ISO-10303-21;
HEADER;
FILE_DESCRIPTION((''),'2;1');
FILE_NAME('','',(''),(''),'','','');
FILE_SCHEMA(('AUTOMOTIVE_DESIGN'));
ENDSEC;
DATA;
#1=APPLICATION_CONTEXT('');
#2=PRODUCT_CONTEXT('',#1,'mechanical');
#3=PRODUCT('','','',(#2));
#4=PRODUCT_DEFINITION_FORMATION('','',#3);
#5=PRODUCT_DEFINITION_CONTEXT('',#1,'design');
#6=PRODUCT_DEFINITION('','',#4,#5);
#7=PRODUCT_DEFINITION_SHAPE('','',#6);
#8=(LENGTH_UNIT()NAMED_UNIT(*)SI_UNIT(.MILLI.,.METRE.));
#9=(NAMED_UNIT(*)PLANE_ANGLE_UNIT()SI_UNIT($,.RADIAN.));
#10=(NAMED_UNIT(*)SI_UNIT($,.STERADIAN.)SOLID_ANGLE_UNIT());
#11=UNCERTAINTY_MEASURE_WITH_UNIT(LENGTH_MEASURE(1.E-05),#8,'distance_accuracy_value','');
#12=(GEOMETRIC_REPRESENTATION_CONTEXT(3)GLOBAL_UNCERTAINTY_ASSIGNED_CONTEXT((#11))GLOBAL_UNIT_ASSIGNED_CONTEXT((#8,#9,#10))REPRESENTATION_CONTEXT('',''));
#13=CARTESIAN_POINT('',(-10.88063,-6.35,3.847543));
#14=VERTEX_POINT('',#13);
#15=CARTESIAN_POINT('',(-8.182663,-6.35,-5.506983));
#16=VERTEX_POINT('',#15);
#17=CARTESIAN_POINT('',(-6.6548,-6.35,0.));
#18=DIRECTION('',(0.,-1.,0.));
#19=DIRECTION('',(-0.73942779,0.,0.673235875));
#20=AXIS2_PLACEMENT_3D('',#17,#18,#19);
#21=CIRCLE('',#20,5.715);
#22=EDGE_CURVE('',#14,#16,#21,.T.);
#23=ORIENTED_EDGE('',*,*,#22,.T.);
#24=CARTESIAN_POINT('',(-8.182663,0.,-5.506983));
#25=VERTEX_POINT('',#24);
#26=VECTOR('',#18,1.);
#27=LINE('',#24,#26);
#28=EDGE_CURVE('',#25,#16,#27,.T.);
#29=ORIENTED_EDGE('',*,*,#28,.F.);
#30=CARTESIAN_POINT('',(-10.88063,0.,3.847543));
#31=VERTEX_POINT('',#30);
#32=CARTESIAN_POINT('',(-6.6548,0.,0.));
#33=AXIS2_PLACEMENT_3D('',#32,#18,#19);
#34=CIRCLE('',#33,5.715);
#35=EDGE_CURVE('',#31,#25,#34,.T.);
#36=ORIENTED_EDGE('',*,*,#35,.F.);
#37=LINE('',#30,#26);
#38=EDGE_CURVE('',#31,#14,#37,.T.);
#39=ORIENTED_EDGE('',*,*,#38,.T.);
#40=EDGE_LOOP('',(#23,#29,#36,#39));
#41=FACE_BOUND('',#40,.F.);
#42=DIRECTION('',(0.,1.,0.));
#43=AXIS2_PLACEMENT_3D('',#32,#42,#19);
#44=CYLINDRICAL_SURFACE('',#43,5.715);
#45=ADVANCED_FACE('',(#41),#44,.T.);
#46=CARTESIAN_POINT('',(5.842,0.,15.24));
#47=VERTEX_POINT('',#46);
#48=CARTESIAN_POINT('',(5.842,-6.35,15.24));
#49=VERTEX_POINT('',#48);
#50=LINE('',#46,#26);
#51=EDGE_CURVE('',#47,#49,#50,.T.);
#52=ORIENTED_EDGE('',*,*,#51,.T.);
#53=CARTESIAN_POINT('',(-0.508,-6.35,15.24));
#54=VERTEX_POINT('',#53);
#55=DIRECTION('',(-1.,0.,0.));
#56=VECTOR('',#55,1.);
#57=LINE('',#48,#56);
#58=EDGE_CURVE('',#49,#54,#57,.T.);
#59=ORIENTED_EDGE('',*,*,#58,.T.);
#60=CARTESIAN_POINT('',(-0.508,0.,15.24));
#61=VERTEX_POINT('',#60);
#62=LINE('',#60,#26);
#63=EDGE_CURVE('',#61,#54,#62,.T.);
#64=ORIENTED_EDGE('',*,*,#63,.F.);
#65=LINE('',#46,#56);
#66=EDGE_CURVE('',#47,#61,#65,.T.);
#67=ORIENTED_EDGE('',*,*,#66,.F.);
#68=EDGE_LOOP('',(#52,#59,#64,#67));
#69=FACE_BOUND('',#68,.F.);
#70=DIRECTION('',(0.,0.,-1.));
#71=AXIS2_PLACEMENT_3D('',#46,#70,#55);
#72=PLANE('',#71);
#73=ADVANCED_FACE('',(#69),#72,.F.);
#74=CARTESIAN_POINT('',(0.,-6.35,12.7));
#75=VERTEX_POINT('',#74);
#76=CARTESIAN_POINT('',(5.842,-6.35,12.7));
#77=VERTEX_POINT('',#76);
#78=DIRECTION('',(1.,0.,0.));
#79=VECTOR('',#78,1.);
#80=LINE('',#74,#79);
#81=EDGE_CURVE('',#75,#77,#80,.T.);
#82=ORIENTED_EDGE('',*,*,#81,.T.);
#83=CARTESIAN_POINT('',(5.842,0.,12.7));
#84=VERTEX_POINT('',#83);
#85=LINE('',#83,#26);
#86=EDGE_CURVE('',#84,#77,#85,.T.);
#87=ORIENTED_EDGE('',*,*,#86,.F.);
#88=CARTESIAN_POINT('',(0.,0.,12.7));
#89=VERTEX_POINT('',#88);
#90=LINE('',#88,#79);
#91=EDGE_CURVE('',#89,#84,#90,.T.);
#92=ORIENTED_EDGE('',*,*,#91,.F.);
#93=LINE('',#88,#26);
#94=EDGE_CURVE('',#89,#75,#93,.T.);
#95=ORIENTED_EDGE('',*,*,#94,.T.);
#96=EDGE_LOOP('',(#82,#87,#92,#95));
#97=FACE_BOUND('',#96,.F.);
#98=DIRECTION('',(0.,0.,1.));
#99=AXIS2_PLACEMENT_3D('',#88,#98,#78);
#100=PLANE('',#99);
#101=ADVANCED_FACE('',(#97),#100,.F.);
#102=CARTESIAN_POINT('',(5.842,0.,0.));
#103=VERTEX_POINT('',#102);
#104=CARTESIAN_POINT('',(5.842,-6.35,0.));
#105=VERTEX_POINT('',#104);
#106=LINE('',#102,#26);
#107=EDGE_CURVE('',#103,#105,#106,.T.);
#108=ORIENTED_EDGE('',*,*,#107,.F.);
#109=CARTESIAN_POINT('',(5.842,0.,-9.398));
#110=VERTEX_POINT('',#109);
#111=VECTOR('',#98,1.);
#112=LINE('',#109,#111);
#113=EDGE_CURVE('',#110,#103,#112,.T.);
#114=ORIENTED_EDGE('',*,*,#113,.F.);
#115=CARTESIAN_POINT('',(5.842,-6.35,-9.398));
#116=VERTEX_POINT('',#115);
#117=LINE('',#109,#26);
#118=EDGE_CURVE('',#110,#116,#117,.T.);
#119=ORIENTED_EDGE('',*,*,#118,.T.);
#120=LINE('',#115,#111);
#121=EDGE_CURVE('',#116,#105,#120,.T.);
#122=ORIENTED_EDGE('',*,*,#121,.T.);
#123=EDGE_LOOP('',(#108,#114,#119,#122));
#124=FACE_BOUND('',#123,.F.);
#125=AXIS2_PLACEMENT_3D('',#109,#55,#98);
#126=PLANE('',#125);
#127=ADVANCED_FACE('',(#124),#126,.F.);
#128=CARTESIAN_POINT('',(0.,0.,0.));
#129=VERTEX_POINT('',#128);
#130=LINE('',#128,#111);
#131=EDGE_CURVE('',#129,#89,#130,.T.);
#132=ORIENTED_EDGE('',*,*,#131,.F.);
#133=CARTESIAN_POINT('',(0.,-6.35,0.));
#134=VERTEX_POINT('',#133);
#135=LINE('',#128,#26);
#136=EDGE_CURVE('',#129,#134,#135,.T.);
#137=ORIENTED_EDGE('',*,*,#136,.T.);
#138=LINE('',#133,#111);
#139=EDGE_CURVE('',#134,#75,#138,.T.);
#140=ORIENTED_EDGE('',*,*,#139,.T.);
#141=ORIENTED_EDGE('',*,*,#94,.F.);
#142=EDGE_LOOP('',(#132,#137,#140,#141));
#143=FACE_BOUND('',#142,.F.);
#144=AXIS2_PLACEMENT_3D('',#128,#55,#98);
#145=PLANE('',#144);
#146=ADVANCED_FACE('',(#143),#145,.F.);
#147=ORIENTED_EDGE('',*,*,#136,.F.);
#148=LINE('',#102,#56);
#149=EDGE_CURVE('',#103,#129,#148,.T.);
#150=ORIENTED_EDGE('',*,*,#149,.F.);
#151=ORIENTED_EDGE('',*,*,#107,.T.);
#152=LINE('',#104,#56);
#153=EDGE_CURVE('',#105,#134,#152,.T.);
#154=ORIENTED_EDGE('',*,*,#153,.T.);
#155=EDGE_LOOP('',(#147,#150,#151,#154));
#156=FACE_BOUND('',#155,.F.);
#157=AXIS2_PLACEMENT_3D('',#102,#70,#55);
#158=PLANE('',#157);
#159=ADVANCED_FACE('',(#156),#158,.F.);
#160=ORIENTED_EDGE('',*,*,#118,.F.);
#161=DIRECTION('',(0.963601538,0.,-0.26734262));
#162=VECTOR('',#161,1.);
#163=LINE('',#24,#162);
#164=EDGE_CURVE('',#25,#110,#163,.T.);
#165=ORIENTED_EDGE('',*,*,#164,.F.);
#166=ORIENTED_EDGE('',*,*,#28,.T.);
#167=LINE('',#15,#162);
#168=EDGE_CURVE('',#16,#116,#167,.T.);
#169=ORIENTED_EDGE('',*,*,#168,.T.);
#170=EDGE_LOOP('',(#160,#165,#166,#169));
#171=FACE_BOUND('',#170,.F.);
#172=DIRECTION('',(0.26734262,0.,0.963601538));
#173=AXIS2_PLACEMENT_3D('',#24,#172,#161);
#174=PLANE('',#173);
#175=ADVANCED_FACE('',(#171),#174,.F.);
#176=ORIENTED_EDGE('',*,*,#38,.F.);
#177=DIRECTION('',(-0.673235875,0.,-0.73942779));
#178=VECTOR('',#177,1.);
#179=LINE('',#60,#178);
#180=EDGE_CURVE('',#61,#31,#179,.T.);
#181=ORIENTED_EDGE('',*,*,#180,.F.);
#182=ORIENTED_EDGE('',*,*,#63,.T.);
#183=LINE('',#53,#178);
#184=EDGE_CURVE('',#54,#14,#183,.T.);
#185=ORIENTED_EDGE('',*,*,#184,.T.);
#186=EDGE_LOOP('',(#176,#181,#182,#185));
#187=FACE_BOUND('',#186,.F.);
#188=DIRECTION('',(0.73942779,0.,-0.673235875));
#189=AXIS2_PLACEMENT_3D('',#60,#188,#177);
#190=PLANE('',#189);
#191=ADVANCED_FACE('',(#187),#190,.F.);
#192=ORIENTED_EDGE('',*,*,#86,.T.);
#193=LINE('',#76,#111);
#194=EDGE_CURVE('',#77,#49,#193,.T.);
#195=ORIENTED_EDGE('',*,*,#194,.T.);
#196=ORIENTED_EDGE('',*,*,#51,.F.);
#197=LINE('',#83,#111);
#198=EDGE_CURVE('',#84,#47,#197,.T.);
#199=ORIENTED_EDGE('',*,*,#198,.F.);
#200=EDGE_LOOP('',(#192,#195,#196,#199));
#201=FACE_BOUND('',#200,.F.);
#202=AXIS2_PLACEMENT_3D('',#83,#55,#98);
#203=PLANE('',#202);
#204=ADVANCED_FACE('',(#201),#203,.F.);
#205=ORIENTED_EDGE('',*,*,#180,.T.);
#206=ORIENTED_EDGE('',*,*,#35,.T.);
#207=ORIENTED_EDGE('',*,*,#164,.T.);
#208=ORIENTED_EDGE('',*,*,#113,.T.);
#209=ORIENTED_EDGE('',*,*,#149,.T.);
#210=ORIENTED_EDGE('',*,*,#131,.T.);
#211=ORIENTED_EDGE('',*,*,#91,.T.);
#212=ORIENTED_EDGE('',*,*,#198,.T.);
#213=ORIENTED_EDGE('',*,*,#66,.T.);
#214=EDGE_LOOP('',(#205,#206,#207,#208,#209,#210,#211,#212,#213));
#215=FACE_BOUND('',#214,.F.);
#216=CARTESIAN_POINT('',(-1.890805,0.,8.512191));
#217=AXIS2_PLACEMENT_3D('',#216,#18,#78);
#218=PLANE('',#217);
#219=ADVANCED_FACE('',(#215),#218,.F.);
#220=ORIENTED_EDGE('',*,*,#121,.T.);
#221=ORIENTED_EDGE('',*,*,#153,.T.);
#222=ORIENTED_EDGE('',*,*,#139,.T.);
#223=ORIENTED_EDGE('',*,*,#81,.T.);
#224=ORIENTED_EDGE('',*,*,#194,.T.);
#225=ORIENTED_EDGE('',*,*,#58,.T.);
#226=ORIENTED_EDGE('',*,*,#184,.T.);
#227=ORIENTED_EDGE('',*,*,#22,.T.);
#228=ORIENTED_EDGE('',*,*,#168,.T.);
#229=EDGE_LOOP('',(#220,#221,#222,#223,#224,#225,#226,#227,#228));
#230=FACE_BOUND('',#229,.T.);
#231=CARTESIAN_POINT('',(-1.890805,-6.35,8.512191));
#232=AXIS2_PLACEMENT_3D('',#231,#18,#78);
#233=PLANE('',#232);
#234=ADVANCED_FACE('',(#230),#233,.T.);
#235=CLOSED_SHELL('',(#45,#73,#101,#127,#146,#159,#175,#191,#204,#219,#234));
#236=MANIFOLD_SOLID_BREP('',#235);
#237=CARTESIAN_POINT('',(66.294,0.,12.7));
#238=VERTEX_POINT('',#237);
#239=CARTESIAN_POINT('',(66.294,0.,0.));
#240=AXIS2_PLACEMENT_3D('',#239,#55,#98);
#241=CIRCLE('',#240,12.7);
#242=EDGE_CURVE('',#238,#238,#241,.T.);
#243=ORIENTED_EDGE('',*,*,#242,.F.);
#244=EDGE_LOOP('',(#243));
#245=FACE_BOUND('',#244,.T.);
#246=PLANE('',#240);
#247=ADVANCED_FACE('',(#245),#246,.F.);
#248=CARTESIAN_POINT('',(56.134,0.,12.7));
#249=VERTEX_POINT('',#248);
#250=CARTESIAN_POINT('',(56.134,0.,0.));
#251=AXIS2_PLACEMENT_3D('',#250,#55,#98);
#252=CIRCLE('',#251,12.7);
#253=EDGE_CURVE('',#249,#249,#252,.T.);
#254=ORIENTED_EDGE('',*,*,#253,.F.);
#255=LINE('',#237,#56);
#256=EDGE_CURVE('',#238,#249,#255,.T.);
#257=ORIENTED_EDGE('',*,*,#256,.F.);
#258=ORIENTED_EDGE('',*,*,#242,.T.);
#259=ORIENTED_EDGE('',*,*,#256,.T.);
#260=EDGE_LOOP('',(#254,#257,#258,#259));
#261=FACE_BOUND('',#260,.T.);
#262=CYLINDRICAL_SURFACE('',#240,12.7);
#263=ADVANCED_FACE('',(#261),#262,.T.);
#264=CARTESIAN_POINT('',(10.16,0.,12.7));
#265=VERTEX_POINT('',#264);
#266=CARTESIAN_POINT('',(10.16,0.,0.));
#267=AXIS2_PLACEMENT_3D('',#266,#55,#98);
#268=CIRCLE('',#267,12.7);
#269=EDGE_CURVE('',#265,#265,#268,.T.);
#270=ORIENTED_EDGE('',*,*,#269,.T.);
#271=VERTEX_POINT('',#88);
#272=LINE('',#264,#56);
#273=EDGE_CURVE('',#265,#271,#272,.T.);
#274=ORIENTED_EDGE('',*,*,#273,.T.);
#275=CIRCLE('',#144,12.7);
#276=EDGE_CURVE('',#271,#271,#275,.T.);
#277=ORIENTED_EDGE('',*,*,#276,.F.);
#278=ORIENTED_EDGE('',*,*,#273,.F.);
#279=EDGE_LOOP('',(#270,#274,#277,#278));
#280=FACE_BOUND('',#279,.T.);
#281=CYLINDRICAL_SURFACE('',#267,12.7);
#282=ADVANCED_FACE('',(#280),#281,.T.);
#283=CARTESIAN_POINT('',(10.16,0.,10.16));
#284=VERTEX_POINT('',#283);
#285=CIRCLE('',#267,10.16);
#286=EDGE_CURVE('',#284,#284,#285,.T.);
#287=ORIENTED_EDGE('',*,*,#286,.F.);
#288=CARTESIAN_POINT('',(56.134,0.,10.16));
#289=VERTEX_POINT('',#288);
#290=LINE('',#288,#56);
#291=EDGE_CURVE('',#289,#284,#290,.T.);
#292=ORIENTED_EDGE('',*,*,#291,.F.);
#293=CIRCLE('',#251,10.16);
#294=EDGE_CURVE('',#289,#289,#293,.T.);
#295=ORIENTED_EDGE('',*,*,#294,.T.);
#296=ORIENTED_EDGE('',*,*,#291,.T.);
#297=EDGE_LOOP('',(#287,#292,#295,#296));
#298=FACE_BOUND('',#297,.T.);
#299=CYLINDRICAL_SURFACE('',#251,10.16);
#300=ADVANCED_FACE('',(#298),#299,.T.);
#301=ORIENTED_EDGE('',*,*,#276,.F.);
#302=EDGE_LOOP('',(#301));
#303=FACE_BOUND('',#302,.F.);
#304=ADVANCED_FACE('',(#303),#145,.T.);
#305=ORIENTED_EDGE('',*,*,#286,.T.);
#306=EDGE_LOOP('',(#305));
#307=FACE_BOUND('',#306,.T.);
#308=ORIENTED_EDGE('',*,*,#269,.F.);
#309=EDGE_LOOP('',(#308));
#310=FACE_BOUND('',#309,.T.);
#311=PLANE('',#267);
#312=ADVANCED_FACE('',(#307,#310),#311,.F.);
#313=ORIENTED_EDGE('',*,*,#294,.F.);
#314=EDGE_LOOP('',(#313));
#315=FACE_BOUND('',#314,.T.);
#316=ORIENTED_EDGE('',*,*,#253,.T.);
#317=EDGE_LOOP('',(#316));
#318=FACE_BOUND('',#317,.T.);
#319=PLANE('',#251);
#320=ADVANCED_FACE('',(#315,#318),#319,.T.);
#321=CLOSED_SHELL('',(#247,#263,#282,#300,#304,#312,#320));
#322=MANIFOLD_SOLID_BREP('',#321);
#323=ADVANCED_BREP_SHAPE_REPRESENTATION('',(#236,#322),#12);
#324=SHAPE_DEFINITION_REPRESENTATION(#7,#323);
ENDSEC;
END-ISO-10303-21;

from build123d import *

# Parameters (mm, degrees)
F0_W     = 5.842
F0_H     = 12.7
F0_R     = 3.175
F2_DEPTH = 6.35
F3_DEPTH = 12.701


with BuildPart() as f1:
    # F0 (on Front) → F1 (revolve)
    with BuildSketch(Plane.XZ):
        Polygon((5.842, 12.7), (5.842, 0), (66.294, 0), (66.294, 12.7), (56.134, 12.7), (56.134, 10.16), (10.16, 10.16), (10.16, 12.7), align=None)
        with Locations((2.921, 6.35)):
            Rectangle(F0_W, F0_H)
    revolve(axis=Axis((33.147, 0, 0), (-1, 0, 0)))

    # F0 (on Front) → F3 (cut, through all)
    with BuildSketch(Plane.XZ):
        with Locations((-6.6548, 0)):
            Circle(F0_R)
    extrude(amount=-F3_DEPTH, mode=Mode.SUBTRACT)


with BuildPart() as f2:
    # F0 (on Front) → F2 (new body)
    with BuildSketch(Plane.XZ):
        with BuildLine():
            Line((-0.9398, 0), (0, 0))
            Line((0, 0), (0, 12.7))
            Line((0, 12.7), (5.842, 12.7))
            Line((5.842, 12.7), (5.842, 15.24))
            Line((5.842, 15.24), (-0.508, 15.24))
            Line((-0.508, 15.24), (-10.8806298187, 3.8475430269))
            ThreePointArc((-10.8806298187, 3.8475430269), (-4.5919612295, 5.3297205562), (-0.9398, 0))
        make_face()
        with BuildLine():
            ThreePointArc((-8.1826630726, -5.5069827884), (-3.1957909266, -4.5493385486), (-0.9398, 0))
            ThreePointArc((-0.9398, 0), (-4.5919612295, 5.3297205562), (-10.8806298187, 3.8475430269))
            ThreePointArc((-10.8806298187, 3.8475430269), (-12.1459778134, -1.5837270034), (-8.1826630726, -5.5069827884))
        make_face()
        with Locations((-6.6548, 0)):
            Circle(F0_R, mode=Mode.SUBTRACT)
        with Locations((-6.6548, 0)):
            Circle(F0_R)
        with BuildLine():
            Line((5.842, 0), (0, 0))
            Line((0, 0), (-0.9398, 0))
            ThreePointArc((-0.9398, 0), (-3.1957909266, -4.5493385486), (-8.1826630726, -5.5069827884))
            Line((-8.1826630726, -5.5069827884), (5.842, -9.398))
            Line((5.842, -9.398), (5.842, 0))
        make_face()
    extrude(amount=F2_DEPTH)


solid = Compound([f1.part, f2.part])
